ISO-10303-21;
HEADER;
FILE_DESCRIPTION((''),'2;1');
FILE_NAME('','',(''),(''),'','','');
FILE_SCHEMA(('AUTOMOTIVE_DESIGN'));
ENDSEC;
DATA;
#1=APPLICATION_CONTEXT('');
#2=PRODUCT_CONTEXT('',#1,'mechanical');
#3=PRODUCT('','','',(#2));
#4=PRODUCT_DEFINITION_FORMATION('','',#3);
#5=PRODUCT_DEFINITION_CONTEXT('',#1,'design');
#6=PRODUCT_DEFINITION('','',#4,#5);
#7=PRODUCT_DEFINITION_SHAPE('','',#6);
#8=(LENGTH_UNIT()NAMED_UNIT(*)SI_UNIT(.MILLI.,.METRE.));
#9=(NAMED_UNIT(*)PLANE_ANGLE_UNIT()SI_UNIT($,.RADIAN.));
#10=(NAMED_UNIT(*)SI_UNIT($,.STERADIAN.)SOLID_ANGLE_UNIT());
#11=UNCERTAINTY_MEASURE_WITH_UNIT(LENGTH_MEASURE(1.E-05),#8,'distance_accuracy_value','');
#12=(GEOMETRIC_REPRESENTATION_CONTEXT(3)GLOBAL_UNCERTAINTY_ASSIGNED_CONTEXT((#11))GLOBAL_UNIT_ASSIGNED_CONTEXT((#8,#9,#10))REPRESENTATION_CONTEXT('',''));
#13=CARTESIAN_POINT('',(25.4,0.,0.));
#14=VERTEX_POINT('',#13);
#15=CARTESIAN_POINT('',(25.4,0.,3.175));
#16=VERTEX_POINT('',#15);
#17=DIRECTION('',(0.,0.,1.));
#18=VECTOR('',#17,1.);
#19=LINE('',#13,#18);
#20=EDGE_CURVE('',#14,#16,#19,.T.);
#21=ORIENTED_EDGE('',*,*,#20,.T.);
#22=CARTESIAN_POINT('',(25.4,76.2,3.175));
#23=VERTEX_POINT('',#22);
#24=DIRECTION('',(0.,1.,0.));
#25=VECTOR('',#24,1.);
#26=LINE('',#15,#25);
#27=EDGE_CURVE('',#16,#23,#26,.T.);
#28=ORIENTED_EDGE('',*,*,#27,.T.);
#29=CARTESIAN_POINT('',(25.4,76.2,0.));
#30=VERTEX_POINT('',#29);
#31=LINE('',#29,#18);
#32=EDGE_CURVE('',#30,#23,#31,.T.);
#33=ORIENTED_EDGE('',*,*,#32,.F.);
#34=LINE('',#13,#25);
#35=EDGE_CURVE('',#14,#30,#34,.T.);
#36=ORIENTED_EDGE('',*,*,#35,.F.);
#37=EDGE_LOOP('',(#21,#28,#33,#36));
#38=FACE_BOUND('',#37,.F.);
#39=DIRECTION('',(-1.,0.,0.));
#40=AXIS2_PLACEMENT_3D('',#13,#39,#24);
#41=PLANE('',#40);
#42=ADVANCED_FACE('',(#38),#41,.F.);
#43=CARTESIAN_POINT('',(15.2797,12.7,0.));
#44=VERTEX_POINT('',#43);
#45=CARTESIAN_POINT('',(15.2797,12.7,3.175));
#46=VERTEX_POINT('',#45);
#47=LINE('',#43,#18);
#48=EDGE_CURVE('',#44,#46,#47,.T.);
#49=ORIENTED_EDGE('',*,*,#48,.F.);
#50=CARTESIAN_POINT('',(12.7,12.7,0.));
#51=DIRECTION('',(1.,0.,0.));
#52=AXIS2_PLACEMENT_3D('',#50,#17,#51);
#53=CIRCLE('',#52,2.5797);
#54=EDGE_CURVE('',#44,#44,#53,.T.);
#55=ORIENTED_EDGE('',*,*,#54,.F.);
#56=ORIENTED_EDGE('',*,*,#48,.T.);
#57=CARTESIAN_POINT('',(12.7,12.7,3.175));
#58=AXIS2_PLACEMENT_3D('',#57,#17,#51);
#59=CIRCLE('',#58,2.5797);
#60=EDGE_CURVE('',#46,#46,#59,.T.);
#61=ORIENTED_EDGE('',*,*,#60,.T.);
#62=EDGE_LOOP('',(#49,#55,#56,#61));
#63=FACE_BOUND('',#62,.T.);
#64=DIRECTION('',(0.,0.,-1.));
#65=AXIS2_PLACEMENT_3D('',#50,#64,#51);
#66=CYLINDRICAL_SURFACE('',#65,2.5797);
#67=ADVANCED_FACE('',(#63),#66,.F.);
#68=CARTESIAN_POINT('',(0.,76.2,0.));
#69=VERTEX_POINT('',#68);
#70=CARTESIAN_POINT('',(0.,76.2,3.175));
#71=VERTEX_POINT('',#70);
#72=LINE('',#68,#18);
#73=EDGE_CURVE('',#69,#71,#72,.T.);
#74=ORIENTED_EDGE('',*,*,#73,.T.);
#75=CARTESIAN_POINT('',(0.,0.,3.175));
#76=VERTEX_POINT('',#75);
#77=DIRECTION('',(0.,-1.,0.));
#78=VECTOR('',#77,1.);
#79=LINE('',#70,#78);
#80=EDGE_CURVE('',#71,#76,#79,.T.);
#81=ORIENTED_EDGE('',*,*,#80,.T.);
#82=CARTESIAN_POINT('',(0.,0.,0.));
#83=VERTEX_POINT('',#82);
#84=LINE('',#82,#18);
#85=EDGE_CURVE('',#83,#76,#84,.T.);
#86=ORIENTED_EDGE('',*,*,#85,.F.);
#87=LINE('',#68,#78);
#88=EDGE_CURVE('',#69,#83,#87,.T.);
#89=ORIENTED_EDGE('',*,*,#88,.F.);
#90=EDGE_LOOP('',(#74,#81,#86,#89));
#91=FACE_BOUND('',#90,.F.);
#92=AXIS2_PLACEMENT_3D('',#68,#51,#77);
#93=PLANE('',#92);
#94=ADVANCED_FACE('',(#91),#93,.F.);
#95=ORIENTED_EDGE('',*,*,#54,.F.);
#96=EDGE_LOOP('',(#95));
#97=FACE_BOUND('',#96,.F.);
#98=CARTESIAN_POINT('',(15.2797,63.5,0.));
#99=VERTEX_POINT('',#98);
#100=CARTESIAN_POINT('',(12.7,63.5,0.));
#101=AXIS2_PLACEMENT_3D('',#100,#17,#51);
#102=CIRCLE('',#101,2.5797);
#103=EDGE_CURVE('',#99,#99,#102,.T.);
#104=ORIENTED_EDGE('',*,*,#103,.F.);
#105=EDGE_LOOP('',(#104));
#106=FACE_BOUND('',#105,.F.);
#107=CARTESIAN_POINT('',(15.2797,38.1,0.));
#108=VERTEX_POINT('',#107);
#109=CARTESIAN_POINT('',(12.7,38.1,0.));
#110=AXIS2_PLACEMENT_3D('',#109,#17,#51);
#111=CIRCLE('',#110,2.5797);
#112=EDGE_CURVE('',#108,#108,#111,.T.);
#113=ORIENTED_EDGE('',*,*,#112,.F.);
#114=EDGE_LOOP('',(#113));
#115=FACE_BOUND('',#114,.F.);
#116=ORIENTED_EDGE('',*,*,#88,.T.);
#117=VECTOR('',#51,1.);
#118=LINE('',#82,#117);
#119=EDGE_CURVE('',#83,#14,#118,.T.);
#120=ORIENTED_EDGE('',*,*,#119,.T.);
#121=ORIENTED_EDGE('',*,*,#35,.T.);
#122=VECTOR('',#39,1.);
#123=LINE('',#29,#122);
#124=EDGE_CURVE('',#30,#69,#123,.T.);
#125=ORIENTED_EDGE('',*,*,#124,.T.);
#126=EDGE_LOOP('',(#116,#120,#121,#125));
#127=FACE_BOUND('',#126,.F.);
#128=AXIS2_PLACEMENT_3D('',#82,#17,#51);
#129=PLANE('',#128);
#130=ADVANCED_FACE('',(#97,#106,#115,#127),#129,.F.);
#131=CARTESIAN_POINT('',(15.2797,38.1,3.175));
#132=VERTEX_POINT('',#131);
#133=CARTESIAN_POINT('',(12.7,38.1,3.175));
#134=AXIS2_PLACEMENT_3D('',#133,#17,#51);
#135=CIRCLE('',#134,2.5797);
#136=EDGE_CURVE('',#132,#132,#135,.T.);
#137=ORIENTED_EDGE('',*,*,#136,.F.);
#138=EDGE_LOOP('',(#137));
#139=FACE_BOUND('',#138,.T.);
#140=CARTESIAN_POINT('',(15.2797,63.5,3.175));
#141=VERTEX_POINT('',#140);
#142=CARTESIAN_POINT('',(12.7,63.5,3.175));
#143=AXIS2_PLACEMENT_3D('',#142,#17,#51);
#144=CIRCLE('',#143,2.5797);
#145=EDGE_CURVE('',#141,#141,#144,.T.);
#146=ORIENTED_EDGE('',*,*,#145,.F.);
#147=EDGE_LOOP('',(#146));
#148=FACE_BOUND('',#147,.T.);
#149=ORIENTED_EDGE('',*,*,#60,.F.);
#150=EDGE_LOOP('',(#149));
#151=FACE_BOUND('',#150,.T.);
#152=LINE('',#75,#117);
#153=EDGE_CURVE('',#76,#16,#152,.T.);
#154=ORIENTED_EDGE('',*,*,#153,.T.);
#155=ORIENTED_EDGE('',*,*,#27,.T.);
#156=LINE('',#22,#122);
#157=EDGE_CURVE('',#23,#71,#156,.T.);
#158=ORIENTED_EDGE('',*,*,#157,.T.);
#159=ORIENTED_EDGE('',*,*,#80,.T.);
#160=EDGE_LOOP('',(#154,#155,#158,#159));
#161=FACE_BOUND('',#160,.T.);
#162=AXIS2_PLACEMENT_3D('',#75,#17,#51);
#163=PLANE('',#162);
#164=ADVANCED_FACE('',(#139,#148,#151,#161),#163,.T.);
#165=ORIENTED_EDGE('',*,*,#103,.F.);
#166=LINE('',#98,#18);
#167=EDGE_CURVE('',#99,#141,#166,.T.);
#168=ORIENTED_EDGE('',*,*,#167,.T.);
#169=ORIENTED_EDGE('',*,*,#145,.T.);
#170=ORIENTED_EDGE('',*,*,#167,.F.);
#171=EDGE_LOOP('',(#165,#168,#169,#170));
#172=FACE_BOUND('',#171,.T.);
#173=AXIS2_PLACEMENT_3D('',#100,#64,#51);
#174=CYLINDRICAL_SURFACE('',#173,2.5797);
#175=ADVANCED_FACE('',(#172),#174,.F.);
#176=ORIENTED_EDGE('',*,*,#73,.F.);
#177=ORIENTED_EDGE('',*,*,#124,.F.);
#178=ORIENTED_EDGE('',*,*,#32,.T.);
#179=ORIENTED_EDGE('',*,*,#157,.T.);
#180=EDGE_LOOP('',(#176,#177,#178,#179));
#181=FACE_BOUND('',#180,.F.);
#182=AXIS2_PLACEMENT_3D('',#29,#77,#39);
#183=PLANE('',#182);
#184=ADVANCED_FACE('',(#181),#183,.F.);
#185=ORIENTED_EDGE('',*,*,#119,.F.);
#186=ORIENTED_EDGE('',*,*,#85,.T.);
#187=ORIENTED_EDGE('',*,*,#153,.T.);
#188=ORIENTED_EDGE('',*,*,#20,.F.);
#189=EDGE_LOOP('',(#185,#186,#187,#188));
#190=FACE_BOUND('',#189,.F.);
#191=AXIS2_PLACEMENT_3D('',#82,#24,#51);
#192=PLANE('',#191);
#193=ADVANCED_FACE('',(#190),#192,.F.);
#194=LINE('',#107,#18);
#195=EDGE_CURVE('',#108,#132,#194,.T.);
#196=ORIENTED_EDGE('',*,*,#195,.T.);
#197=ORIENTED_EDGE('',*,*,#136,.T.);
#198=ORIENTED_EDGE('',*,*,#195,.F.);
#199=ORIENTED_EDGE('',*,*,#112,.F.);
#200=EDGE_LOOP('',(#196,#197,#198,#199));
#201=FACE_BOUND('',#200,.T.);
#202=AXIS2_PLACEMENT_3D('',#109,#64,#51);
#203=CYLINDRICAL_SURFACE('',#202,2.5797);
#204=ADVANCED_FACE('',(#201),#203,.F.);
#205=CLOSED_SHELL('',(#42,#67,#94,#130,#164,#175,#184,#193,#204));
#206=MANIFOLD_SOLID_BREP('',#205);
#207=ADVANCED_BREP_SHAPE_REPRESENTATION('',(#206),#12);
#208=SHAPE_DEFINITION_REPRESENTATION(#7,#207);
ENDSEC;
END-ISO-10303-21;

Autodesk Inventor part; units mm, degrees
ref_plane "YZ Plane" through (0, 0, 0) normal (1, 0, 0) x (0, 1, 0)
ref_plane "XZ Plane" through (0, 0, 0) normal (0, 1, 0) x (-1, 0, 0)
ref_plane "XY Plane" through (0, 0, 0) normal (0, 0, 1) x (1, 0, 0)
sketch "Sketch1" plane through (0, 0, 0) normal (0, 0, 1) x (1, 0, 0)
  line L0 (0, 0) -> (25.4, 0)
  line L1 (25.4, 0) -> (25.4, 76.2)
  line L2 (25.4, 76.2) -> (0, 76.2)
  line L3 (0, 76.2) -> (0, 0)
  line L4 (12.7, 76.2) -> (12.7, 63.5) construction
  line L5 (12.7, 63.5) -> (12.7, 38.1) construction
  line L6 (12.7, 38.1) -> (12.7, 12.7) construction
  circle A0 centre (12.7, 63.5) radius 2.5797
  circle A1 centre (12.7, 38.1) radius 2.5797
  circle A2 centre (12.7, 12.7) radius 2.5797
  dimension "d0" = 25.4
  dimension "d1" = 76.2
  dimension "d2" = 12.7
  dimension "d3" = 25.4
  dimension "d4" = 25.4
  dimension "d5" = 5.1594
extrude "Extrusion1" add sketch "Sketch1" along normal blind 3.175
properties part number "Piston Plate"
